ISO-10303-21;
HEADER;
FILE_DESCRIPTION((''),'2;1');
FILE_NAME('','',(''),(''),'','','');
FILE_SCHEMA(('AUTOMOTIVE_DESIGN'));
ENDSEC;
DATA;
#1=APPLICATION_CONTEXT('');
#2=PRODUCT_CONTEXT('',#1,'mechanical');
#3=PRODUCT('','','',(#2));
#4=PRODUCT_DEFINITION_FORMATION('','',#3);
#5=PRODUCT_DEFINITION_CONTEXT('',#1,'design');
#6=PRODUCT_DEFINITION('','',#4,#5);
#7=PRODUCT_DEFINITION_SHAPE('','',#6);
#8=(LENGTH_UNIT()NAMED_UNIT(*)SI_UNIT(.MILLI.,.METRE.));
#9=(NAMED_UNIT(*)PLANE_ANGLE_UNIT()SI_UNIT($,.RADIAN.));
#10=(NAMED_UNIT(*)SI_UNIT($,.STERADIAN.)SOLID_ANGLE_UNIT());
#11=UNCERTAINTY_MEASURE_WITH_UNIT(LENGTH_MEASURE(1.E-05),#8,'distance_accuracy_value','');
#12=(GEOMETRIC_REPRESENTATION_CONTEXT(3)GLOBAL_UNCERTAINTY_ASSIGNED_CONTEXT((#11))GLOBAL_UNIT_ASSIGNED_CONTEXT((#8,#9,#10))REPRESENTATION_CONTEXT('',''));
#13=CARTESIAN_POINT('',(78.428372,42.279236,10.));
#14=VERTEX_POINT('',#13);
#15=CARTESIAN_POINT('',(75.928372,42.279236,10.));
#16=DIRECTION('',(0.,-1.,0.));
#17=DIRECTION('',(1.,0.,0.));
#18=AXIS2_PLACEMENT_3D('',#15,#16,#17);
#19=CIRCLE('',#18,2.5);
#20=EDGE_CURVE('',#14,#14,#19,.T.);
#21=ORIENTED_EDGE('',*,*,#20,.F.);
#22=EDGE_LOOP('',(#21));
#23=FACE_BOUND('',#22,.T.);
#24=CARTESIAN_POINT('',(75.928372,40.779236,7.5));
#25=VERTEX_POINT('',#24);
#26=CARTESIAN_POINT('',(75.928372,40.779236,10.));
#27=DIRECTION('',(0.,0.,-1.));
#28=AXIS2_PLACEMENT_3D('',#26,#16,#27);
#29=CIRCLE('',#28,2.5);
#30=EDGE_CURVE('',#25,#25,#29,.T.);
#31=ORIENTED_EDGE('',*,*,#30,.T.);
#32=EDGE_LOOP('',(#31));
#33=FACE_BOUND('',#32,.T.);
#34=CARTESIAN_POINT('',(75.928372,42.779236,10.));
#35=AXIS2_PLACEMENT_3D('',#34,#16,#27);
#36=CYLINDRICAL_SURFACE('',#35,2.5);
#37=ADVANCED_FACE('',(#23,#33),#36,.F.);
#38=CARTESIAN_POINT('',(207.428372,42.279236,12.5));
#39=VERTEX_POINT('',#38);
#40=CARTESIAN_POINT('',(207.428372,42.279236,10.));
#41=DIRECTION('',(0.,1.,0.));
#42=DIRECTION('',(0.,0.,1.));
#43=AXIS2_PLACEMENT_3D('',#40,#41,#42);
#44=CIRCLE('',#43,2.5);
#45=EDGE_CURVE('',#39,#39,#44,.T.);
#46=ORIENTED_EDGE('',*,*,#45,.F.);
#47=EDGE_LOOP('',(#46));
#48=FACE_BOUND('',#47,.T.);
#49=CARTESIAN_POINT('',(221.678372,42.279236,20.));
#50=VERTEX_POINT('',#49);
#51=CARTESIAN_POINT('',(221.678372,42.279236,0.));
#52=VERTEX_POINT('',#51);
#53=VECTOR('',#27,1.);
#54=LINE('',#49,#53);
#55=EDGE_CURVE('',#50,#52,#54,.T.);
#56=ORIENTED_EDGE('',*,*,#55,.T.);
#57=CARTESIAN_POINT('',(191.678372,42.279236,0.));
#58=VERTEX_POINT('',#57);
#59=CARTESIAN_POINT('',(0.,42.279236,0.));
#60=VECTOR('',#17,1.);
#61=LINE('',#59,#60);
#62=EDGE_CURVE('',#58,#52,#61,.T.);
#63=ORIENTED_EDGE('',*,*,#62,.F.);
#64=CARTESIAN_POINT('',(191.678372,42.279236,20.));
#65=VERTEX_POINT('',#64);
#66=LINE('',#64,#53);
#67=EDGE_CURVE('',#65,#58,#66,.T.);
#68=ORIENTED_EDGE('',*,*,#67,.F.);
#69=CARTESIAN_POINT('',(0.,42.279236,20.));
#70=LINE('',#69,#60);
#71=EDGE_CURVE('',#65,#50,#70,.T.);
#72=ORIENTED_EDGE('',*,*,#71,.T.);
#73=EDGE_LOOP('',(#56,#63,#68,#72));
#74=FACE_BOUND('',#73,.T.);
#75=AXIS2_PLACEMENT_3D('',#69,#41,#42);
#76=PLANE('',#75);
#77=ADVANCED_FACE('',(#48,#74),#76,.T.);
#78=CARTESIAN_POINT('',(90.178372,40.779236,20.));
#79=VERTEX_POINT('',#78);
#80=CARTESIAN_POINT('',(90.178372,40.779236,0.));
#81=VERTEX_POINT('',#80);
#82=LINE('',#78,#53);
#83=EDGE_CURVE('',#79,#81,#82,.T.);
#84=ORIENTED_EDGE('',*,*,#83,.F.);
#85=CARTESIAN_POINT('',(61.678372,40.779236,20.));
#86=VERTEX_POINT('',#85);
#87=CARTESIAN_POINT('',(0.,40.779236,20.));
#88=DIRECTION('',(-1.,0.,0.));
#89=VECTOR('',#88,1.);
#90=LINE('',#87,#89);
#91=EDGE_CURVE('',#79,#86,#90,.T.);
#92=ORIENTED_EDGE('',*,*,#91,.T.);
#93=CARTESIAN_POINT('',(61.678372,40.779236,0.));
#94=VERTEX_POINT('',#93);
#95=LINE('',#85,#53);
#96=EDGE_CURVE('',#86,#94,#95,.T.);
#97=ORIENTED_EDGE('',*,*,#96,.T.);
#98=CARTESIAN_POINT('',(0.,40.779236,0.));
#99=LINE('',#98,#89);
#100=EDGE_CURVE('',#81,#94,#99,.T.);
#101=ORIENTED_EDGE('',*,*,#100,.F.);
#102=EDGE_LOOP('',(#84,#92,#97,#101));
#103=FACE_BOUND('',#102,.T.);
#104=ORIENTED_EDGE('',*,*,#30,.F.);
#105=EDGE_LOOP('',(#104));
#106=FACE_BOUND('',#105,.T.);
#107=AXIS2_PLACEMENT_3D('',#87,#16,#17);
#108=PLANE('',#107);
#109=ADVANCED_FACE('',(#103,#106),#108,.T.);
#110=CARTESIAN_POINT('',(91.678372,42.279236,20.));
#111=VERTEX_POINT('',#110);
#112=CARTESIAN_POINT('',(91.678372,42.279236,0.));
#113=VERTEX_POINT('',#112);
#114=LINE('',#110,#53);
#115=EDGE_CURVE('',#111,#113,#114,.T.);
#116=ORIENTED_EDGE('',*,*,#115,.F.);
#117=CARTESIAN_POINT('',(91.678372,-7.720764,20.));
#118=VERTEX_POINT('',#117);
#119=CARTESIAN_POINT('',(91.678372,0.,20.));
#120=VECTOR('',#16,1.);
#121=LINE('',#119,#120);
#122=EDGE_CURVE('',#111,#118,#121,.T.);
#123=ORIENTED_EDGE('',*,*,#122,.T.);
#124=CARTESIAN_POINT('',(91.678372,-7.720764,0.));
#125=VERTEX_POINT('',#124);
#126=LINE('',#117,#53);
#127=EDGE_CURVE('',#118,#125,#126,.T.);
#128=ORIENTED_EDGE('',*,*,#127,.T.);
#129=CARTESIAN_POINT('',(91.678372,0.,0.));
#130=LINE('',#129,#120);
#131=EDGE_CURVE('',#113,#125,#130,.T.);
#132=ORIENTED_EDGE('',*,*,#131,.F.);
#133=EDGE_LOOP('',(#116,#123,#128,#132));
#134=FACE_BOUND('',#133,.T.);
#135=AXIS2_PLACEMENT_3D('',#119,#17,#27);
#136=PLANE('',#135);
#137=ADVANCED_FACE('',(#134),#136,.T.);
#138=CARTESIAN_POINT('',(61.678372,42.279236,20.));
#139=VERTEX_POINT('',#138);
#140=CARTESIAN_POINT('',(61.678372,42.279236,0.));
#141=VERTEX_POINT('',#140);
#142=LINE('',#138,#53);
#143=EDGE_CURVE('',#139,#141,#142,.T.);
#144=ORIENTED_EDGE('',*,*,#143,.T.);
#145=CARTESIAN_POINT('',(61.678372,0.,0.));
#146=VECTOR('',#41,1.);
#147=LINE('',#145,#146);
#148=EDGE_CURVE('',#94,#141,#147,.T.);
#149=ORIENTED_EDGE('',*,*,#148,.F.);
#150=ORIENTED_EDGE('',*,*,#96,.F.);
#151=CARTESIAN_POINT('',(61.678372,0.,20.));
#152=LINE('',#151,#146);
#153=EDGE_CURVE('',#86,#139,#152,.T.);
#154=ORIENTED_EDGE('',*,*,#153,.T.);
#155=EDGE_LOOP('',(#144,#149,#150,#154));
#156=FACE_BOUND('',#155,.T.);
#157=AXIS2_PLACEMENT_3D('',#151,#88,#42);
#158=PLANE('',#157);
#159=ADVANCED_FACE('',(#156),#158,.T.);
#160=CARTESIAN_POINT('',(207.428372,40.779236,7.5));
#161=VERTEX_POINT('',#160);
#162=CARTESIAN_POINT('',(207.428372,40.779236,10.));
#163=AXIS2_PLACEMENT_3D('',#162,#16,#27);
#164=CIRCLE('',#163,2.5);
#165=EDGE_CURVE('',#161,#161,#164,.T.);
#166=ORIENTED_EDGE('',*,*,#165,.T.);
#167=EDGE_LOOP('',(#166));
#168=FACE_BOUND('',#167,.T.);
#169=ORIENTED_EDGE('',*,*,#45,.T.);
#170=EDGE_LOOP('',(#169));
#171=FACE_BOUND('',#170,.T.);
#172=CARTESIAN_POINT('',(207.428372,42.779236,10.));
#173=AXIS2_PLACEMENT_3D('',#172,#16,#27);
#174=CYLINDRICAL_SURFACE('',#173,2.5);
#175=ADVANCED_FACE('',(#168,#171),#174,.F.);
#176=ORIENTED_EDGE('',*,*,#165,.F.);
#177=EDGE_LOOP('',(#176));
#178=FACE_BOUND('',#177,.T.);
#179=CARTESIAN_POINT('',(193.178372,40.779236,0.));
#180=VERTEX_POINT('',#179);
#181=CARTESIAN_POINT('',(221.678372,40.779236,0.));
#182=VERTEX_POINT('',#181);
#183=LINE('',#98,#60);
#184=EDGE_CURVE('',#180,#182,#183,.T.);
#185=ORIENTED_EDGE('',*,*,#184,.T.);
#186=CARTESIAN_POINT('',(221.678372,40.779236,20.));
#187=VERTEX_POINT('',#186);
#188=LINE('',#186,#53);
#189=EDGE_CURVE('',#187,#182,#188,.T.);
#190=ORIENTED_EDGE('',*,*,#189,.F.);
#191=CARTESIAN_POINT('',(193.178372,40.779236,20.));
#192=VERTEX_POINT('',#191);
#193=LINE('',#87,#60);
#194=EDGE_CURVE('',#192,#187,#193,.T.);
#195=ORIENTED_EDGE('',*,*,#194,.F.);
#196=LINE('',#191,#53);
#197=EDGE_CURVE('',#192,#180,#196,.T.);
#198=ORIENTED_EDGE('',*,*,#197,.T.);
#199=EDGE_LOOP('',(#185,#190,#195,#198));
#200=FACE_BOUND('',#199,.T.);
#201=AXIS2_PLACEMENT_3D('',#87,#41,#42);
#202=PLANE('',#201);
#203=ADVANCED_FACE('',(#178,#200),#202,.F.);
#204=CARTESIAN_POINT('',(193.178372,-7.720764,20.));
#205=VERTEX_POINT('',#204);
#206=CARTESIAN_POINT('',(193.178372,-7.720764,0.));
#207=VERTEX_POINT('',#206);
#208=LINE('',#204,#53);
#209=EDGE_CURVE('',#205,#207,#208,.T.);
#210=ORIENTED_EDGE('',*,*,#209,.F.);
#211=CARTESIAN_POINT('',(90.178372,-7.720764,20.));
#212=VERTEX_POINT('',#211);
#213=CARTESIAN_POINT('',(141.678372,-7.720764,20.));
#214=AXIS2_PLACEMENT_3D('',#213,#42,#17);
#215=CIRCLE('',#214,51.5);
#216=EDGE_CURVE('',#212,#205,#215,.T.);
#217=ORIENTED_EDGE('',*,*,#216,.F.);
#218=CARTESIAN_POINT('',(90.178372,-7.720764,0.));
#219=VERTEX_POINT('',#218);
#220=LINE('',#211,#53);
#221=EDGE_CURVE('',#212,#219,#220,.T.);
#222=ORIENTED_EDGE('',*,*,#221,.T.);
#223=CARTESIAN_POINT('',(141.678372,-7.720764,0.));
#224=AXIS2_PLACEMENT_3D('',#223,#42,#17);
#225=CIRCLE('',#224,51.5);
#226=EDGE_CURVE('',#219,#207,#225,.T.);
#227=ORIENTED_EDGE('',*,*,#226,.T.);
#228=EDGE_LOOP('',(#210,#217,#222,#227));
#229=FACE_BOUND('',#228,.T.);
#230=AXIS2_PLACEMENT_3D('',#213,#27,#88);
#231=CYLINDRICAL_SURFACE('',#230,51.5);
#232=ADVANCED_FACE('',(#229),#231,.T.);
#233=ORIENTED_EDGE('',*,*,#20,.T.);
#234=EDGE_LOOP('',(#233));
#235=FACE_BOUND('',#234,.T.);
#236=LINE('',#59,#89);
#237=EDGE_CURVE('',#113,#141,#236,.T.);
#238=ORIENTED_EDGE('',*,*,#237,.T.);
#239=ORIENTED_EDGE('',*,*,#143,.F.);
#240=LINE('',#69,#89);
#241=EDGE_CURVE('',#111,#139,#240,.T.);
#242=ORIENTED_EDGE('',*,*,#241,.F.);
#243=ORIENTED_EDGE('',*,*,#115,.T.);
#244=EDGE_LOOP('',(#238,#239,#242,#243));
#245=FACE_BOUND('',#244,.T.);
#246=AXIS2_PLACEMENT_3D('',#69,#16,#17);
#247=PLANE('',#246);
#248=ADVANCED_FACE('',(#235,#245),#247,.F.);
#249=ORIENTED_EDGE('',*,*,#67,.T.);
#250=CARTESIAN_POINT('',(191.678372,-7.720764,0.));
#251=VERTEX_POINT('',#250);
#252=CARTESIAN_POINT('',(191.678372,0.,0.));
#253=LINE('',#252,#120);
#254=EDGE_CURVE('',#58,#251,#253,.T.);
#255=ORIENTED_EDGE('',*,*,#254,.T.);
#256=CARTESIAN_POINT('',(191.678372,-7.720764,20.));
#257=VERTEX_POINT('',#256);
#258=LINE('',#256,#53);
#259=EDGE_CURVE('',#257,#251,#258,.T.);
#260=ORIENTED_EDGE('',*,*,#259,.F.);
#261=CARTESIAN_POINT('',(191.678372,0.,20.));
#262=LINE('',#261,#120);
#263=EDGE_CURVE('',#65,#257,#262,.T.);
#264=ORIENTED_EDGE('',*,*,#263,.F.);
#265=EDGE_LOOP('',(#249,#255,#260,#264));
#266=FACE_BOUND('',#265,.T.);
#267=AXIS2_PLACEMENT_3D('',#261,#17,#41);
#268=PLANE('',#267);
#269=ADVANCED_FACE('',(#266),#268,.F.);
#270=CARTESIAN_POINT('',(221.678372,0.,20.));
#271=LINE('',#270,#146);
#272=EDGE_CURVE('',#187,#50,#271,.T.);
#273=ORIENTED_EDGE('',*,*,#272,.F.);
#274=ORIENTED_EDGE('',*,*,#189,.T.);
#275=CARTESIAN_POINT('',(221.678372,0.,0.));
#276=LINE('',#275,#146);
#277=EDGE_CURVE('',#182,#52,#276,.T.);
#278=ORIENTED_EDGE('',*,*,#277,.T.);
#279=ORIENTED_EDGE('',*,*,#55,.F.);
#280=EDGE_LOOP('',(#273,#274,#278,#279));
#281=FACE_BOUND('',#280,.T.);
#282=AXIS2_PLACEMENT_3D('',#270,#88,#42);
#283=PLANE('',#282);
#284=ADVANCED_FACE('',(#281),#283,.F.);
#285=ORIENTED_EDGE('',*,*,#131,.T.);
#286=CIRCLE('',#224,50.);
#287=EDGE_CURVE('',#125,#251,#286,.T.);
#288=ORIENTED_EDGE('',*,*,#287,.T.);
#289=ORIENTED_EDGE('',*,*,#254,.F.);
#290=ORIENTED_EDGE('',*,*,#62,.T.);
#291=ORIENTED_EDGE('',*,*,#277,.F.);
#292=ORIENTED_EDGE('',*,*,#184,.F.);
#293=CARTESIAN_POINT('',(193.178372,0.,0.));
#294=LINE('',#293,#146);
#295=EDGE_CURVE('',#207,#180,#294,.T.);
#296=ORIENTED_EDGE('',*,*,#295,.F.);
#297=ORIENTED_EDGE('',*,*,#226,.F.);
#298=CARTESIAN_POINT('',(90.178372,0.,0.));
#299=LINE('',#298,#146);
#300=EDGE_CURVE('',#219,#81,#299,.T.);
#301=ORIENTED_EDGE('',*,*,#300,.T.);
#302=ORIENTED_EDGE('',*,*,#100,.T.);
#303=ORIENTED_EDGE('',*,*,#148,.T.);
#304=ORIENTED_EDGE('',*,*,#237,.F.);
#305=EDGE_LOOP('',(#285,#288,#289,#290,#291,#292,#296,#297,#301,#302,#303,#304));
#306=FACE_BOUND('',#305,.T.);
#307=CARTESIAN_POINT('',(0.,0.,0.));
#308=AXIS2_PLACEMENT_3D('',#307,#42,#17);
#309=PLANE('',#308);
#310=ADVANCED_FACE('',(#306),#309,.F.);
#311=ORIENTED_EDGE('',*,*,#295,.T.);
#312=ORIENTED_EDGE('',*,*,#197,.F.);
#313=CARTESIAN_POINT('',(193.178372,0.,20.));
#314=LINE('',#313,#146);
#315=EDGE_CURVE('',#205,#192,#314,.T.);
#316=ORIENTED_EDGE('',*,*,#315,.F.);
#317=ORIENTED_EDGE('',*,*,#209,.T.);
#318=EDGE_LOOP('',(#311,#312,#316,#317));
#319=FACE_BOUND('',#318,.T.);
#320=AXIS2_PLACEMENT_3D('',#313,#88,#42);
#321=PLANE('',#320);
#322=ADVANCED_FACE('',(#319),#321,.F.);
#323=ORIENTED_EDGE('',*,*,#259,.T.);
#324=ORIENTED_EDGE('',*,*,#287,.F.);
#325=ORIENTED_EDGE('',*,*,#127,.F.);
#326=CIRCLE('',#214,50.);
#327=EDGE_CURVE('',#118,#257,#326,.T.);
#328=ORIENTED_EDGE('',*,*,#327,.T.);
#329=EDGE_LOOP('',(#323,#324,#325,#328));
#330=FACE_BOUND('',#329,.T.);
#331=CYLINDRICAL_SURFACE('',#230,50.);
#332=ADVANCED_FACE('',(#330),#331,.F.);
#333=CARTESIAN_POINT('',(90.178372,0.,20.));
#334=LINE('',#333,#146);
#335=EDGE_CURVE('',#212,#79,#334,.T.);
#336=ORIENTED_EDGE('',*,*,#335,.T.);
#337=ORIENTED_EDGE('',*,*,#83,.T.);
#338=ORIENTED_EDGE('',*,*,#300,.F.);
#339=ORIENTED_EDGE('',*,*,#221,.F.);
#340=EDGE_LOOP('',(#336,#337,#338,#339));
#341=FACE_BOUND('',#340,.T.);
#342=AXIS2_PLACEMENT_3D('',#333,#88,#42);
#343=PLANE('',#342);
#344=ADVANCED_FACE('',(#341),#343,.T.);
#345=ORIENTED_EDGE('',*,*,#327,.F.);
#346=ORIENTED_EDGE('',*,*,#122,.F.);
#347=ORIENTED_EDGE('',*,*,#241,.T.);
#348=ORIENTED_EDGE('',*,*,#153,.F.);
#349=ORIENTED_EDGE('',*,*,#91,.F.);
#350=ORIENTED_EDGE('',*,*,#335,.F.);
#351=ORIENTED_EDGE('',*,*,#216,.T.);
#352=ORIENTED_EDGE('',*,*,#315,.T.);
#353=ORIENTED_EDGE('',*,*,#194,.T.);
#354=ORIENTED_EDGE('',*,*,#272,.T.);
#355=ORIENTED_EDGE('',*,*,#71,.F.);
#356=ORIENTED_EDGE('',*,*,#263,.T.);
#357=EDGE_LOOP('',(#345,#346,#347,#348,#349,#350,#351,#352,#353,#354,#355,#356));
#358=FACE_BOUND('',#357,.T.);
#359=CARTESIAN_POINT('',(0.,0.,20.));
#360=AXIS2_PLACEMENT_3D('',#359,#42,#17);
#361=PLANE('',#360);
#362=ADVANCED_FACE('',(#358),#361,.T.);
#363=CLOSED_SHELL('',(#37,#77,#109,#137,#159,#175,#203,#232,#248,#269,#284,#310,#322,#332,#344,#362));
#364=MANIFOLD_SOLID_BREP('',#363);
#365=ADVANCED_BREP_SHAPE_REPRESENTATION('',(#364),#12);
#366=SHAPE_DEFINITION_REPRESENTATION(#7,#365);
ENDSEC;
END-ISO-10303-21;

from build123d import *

# Parameters (mm, degrees)
RESSALTO_EXTRUS_O1_DEPTH = 20
ESBO_O2_R                = 2.5
CORTE_EXTRUS_O2_DEPTH    = 2


with BuildPart() as part:
    # Esboço1 → Ressalto-extrusão1 (new body)
    with BuildSketch(Plane.XY):
        with BuildLine():
            Line((191.678372413, 42.279236252), (191.678372413, -7.720763748))
            ThreePointArc((191.678372413, -7.720763748), (141.678372413, -57.720763748), (91.678372413, -7.720763748))
            Line((91.678372413, -7.720763748), (91.678372413, 42.279236252))
            Line((91.678372413, 42.279236252), (61.678372413, 42.279236252))
            Line((61.678372413, 42.279236252), (61.678372413, 40.779236252))
            Line((61.678372413, 40.779236252), (90.178372413, 40.779236252))
            Line((90.178372413, 40.779236252), (90.178372413, -7.720763748))
            ThreePointArc((90.178372413, -7.720763748), (141.678372413, -59.220763748), (193.178372413, -7.720763748))
            Line((193.178372413, -7.720763748), (193.178372413, 40.779236252))
            Line((193.178372413, 40.779236252), (221.678372413, 40.779236252))
            Line((221.678372413, 40.779236252), (221.678372413, 42.279236252))
            Line((221.678372413, 42.279236252), (191.678372413, 42.279236252))
        make_face()
    extrude(amount=RESSALTO_EXTRUS_O1_DEPTH)

    # Esboço2 → Corte-extrusão2 (cut)
    with BuildSketch(Plane.XZ.offset(-40.779236252)):
        with Locations(Location((75.928372413, 10, 0), (0, 0, 270))):
            Circle(ESBO_O2_R)
        with Locations(Location((207.428372413, 10, 0), (0, 0, 270))):
            Circle(ESBO_O2_R)
    extrude(amount=-CORTE_EXTRUS_O2_DEPTH, mode=Mode.SUBTRACT)


solid = part.part
